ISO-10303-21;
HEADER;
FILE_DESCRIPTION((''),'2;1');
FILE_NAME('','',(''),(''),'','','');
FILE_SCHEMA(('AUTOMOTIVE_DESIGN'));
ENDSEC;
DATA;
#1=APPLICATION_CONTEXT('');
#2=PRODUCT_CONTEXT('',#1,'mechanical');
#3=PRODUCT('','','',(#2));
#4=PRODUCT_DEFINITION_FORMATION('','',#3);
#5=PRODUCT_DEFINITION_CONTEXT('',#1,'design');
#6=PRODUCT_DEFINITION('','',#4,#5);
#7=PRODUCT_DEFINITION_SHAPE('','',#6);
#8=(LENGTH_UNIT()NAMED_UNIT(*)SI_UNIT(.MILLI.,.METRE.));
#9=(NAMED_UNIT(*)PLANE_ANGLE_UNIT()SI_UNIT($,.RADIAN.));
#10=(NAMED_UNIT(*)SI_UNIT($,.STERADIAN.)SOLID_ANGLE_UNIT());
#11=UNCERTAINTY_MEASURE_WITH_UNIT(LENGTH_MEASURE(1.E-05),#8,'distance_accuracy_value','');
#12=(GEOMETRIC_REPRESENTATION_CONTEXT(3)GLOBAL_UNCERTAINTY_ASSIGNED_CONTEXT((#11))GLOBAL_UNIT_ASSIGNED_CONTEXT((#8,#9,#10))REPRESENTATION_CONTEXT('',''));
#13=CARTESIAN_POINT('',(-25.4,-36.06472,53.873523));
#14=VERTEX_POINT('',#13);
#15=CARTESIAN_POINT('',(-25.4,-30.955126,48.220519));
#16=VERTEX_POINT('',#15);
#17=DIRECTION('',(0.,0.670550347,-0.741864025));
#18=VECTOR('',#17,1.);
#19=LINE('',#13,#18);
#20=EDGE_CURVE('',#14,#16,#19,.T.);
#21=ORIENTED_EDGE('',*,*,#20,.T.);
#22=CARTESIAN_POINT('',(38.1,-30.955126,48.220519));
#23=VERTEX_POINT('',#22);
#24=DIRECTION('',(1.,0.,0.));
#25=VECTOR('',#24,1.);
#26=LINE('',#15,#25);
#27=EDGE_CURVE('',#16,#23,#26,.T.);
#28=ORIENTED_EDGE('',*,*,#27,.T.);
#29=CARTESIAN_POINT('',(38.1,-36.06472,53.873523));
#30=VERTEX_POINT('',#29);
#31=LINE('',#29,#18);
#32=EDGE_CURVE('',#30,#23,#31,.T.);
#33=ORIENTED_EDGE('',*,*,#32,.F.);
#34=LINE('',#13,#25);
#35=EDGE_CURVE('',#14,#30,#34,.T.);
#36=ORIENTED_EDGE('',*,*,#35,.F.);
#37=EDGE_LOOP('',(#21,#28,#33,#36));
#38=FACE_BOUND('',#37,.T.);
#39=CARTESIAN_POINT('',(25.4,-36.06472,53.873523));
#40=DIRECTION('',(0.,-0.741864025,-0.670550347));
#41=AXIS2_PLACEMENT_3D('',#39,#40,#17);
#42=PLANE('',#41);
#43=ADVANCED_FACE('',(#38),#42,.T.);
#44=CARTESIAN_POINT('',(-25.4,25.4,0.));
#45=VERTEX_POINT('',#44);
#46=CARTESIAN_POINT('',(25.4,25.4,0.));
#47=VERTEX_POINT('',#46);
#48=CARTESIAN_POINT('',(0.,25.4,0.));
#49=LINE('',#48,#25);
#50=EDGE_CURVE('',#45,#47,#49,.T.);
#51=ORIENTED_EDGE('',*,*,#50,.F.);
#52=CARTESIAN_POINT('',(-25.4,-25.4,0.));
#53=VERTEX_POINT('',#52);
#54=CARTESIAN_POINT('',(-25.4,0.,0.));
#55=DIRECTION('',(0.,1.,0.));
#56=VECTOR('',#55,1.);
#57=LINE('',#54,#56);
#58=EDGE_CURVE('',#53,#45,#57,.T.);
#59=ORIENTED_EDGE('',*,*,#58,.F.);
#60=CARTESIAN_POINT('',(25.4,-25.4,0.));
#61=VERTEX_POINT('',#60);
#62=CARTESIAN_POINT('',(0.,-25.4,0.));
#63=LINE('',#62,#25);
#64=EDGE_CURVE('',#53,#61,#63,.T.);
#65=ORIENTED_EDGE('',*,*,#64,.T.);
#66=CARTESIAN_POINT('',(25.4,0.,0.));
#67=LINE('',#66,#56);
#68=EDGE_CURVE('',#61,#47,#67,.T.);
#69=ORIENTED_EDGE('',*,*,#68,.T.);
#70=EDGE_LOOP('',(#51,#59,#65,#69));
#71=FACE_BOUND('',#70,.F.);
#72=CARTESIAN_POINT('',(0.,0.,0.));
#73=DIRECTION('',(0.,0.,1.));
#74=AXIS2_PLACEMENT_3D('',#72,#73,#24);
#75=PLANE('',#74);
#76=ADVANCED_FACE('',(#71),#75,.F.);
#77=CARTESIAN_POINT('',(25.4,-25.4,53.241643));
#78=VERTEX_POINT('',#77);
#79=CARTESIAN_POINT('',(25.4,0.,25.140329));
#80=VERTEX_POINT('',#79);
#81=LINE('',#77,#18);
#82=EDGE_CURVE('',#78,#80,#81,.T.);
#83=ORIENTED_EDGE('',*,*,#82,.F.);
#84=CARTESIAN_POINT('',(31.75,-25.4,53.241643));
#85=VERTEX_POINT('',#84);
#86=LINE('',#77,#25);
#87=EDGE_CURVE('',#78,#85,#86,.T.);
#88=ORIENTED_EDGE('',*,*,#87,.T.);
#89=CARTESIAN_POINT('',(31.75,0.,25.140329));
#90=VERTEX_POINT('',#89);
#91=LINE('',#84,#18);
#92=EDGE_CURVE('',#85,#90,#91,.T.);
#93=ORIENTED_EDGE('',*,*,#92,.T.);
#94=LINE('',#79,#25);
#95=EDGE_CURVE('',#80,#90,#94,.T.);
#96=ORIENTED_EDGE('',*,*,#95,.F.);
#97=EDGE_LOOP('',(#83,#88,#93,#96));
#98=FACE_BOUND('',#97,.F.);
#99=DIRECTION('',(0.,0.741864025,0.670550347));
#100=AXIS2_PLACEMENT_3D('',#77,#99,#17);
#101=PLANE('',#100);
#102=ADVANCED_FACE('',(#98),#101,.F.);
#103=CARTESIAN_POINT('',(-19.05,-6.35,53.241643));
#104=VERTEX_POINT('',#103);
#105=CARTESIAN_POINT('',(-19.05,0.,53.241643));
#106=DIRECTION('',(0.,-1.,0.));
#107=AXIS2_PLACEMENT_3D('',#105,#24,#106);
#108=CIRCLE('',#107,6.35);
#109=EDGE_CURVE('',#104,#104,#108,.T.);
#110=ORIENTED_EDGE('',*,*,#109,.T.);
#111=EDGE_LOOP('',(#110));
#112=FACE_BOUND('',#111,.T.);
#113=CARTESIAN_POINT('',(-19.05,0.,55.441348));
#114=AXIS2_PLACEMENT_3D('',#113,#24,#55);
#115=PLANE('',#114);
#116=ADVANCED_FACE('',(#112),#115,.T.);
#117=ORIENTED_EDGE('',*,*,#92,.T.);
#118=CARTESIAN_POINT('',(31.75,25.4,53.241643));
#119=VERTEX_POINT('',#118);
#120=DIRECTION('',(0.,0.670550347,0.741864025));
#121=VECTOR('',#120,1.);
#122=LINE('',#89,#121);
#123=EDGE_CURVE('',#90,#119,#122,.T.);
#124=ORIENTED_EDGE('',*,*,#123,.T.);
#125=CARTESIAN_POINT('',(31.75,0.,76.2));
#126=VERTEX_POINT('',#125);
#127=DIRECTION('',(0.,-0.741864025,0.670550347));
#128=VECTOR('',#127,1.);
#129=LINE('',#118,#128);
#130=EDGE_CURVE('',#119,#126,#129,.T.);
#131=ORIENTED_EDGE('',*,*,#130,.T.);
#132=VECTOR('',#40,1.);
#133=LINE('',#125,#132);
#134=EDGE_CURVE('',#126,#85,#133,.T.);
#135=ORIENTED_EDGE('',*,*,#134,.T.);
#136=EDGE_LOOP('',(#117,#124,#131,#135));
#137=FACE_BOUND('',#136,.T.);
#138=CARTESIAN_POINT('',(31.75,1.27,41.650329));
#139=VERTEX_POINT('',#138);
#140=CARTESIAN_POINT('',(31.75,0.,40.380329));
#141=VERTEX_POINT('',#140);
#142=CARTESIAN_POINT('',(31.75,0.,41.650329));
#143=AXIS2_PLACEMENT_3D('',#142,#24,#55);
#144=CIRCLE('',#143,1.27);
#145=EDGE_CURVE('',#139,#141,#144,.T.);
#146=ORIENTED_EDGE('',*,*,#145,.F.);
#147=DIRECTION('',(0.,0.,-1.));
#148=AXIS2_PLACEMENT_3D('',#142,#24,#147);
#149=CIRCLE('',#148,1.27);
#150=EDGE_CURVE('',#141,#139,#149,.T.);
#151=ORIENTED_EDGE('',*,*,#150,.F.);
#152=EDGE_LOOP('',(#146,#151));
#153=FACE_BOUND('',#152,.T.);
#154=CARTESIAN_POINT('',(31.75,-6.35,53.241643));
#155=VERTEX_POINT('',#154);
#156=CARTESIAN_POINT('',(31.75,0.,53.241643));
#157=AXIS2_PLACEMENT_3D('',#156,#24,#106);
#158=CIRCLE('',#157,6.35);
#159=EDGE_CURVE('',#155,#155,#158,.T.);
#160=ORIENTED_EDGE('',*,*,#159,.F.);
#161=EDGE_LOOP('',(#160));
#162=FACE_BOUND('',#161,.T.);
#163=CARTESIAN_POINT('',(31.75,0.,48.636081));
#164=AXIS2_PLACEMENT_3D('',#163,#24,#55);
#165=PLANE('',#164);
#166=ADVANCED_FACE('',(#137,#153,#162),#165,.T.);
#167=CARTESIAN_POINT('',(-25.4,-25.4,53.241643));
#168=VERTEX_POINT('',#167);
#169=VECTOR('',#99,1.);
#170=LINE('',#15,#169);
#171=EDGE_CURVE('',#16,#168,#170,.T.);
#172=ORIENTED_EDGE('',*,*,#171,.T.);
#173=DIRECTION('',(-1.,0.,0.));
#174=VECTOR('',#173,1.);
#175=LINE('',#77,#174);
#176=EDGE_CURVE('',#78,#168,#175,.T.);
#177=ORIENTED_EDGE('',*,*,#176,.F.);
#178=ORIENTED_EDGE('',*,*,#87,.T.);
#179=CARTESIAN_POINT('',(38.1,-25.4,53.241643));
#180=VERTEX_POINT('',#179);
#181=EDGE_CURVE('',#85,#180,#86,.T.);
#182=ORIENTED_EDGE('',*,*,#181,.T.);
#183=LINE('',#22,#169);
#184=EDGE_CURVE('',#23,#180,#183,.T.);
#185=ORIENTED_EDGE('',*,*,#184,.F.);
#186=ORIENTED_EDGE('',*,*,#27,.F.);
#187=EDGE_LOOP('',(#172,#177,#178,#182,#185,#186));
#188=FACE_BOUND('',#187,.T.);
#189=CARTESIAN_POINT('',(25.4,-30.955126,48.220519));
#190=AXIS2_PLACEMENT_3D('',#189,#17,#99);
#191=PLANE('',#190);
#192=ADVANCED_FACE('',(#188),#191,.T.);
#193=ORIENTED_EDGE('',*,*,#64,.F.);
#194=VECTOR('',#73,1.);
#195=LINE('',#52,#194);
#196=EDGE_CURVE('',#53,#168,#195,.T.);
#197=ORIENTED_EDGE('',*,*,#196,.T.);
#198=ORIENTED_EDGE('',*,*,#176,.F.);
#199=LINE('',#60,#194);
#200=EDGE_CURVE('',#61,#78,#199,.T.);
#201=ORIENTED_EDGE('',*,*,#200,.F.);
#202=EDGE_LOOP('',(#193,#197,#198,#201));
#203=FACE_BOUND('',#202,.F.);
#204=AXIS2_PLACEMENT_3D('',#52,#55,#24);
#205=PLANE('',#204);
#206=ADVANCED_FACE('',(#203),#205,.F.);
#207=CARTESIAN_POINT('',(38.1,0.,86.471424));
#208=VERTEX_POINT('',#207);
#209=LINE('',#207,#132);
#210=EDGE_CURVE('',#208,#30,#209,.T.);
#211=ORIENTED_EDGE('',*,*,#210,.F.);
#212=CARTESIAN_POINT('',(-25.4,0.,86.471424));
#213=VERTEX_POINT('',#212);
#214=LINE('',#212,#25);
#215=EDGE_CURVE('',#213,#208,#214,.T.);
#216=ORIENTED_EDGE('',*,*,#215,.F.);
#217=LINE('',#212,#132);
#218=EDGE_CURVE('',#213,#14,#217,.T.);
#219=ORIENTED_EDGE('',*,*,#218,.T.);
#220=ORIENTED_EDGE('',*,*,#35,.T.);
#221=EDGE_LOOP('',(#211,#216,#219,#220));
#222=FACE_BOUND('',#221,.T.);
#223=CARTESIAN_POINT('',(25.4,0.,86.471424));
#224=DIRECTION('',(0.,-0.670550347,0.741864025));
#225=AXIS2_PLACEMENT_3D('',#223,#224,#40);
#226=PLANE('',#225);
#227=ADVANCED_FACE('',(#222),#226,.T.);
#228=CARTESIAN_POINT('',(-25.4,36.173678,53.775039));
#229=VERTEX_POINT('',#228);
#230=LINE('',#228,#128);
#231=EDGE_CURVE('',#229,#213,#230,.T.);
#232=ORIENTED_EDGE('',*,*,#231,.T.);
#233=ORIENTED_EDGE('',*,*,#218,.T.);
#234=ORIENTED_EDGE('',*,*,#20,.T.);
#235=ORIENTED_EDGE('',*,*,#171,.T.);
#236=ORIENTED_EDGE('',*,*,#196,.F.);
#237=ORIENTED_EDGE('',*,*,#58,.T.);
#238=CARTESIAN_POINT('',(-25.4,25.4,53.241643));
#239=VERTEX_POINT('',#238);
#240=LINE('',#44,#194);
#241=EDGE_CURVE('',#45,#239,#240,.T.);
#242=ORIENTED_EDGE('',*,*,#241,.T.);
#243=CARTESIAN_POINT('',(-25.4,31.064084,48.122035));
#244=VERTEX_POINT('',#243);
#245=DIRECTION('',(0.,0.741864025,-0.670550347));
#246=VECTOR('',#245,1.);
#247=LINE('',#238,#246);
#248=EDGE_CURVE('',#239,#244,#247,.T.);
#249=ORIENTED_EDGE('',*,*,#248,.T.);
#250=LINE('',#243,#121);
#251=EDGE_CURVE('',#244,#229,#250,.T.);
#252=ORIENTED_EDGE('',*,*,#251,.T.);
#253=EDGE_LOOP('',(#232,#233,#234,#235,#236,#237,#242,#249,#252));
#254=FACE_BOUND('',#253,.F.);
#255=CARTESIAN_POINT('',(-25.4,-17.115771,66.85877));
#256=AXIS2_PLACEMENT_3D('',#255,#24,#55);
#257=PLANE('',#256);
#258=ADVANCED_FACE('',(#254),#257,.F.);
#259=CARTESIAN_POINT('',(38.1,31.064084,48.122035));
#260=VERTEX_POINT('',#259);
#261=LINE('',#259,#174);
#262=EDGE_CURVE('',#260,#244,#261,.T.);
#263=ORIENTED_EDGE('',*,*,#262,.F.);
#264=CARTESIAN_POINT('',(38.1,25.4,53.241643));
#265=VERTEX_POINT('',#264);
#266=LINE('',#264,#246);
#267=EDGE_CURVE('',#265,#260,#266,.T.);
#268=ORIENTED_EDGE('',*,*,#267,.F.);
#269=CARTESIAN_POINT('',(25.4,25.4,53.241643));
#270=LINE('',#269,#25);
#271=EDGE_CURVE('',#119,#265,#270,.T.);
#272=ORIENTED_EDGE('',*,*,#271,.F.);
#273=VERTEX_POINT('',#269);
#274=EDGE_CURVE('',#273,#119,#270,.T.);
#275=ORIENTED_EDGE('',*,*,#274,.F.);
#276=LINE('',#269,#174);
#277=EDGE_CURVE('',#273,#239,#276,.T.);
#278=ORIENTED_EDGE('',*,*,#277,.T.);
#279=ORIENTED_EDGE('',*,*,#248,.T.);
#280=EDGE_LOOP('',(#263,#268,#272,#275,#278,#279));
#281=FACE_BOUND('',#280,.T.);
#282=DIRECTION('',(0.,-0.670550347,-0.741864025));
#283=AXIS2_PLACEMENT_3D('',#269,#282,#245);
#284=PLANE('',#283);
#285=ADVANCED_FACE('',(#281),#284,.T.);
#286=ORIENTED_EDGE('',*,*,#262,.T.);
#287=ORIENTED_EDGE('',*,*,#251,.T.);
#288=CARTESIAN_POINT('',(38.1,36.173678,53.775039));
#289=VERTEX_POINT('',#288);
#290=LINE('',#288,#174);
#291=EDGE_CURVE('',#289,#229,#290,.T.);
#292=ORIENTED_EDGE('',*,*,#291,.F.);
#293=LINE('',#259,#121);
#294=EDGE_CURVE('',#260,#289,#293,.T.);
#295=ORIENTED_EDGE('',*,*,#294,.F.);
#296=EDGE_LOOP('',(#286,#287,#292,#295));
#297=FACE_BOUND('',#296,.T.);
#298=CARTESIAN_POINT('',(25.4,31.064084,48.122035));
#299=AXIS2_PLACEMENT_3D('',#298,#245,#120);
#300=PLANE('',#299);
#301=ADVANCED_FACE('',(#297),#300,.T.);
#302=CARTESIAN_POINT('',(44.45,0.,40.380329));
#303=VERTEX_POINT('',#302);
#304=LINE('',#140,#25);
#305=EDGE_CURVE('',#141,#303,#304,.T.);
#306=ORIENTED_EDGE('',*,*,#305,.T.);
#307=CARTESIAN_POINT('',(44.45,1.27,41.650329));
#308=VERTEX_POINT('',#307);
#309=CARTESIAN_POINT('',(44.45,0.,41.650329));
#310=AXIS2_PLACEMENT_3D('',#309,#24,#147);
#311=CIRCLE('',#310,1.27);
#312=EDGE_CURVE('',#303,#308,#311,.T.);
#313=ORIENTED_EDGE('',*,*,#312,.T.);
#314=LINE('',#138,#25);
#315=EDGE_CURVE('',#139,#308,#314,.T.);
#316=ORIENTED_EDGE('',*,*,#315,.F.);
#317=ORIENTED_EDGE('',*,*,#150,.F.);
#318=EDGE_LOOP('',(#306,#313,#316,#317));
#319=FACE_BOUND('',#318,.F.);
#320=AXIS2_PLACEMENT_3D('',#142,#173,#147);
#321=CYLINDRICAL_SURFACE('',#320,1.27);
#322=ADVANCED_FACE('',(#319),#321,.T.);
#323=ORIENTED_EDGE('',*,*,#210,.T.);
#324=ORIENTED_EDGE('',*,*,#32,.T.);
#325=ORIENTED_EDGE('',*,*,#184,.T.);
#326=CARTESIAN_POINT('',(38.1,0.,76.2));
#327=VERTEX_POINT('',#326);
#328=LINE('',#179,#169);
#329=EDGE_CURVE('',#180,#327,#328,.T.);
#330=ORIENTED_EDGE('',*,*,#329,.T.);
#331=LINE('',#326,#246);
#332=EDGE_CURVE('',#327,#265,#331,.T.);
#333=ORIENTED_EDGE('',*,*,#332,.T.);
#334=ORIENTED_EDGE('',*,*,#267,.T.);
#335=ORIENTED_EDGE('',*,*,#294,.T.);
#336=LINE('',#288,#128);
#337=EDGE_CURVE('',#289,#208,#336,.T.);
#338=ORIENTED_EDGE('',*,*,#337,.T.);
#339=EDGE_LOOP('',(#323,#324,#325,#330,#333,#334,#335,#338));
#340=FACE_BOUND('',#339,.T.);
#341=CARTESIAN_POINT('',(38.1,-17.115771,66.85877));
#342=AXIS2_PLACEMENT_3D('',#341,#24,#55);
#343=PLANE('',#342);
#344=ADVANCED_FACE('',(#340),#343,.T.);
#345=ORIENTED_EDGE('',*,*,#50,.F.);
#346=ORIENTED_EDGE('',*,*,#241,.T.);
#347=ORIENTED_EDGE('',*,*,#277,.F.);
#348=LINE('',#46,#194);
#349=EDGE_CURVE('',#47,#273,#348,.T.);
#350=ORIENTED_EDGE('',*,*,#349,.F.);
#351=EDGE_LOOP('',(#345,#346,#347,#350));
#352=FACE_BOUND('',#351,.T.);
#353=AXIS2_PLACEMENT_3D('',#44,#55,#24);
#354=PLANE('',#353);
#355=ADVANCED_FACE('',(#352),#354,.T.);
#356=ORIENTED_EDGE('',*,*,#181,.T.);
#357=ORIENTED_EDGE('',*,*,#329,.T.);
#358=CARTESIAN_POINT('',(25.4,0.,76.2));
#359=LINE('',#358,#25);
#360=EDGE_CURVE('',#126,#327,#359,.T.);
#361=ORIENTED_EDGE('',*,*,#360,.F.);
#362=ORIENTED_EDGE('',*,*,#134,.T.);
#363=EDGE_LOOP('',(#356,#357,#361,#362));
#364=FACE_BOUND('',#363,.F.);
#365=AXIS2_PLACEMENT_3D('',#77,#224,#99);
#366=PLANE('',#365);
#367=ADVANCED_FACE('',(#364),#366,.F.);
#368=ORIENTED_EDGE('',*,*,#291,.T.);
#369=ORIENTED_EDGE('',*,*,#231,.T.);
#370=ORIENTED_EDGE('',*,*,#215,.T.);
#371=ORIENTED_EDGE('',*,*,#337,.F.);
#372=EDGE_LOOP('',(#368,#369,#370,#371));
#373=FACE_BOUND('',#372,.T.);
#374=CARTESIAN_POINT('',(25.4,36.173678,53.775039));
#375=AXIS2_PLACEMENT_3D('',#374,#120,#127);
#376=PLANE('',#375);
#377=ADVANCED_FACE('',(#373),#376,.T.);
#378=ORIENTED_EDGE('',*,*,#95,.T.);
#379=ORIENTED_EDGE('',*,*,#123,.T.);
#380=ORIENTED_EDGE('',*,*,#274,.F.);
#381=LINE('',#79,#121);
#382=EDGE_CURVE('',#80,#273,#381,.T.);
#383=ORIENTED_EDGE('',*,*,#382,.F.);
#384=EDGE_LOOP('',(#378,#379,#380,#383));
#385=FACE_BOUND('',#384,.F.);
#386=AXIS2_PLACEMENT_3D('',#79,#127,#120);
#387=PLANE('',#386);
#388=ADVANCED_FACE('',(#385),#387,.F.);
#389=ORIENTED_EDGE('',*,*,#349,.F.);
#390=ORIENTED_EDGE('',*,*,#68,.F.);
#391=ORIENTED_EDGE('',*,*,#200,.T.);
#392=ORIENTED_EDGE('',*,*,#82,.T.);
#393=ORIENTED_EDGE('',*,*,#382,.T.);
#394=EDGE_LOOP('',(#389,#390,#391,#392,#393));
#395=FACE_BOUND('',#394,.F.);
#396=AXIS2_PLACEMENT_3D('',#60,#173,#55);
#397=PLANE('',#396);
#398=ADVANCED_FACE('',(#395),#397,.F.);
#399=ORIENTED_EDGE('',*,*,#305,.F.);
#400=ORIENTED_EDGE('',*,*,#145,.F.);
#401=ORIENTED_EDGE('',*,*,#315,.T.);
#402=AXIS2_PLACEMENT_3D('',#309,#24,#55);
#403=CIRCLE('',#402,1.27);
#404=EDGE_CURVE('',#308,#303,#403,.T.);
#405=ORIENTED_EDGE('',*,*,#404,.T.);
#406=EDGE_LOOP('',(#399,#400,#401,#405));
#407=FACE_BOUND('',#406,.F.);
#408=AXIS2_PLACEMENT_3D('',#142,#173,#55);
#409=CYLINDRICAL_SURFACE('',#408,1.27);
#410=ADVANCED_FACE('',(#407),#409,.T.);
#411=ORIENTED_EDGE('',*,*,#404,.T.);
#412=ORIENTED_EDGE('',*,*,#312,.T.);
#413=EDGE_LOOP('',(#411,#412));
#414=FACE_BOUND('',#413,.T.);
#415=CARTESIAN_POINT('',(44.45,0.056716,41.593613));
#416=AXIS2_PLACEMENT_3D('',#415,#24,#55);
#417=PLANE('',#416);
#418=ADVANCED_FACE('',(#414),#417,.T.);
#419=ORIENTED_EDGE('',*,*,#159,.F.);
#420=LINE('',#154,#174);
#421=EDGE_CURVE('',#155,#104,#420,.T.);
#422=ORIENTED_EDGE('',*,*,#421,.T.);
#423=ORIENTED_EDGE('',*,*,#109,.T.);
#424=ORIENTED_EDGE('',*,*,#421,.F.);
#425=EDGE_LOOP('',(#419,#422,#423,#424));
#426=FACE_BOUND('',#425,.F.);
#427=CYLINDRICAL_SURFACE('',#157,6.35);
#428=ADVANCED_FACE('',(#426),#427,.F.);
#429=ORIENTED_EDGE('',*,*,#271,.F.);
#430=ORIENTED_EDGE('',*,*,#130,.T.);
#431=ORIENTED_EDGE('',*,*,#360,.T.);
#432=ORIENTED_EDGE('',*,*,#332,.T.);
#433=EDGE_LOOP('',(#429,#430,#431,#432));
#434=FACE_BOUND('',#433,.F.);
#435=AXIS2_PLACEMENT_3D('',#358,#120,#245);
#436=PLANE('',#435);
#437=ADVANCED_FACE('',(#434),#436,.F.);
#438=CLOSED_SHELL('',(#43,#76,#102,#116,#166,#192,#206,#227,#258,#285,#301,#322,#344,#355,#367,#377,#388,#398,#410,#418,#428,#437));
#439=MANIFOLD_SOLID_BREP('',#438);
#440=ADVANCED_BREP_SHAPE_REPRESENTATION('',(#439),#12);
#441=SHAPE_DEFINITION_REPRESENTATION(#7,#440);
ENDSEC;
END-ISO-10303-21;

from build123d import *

# Parameters (mm, degrees)
F0_W      = 50.8
F0_H      = 50.8
F1_DEPTH  = 63.5
F3_DEPTH  = 12.7
F5_DEPTH  = 6.35
F6_DEPTH  = 50.8
F8_DEPTH  = 50.8
F10_DEPTH = 12.7


with BuildPart() as f1:
    # F0 (on Top) → F1 (new body)
    with BuildSketch(Plane.XY):
        Rectangle(F0_W, F0_H)
    extrude(amount=F1_DEPTH)

    # F2 (on face) → F3 (join)
    with BuildSketch(Plane.YZ.offset(25.4)):
        Polygon((-14.0506572952, 63.5), (0, 76.2), (0, 86.4714240594), (-36.0647195239, 53.8735228844), (-30.9551258806, 48.2205190104), (-25.4, 53.2416434461), (-25.4, 63.5), align=None)
        Polygon((-25.4, 53.2416434461), (-14.0506572952, 63.5), (-25.4, 63.5), align=None)
        Polygon((0, 86.4714240594), (0, 76.2), (14.0506572952, 63.5), (25.4, 63.5), (25.4, 53.2416434461), (31.0640838699, 48.1220349014), (36.1736775133, 53.7750387754), align=None)
        Polygon((25.4, 63.5), (14.0506572952, 63.5), (25.4, 53.2416434461), align=None)
    extrude(amount=F3_DEPTH)

    # F4 (on face) → F5 (join)
    with BuildSketch(Plane.YZ.offset(25.4)):
        Polygon((-14.0506572952, 63.5), (-25.4, 53.2416434461), (0, 25.1403288557), (25.4, 53.2416434461), (14.0506572952, 63.5), align=None)
        Polygon((0, 76.2), (-14.0506572952, 63.5), (14.0506572952, 63.5), align=None)
    extrude(amount=F5_DEPTH)

    # F6 (add): faces of the model
    f6_faces = [f1.faces().sort_by_distance(p)[0] for p in [
        (25.4, 0.0499832571, 67.5742219927),
        (25.4, 0.0499832571, 67.5742219927),
        (25.4, 0.0499832571, 67.5742219927),
    ]]
    extrude(f6_faces, amount=F6_DEPTH)

    # F7 (on face) → F8 (cut)
    with BuildSketch(Plane.YZ.offset(31.75)):
        with BuildLine():
            Line((-6.35, 53.2416434461), (6.35, 53.2416434461))
            ThreePointArc((6.35, 53.2416434461), (0, 59.5916434461), (-6.35, 53.2416434461))
        make_face()
        with BuildLine():
            ThreePointArc((-6.35, 53.2416434461), (0, 46.8916434461), (6.35, 53.2416434461))
            Line((6.35, 53.2416434461), (-6.35, 53.2416434461))
        make_face()
    extrude(amount=-F8_DEPTH, mode=Mode.SUBTRACT)

    # F9 (on face) → F10 (join)
    with BuildSketch(Plane.YZ.offset(31.75)):
        with BuildLine():
            ThreePointArc((1.27, 41.6503288557), (-0.8980256121, 42.5483544678), (0, 40.3803288557))
            ThreePointArc((0, 40.3803288557), (0.8980256121, 40.7523032436), (1.27, 41.6503288557))
        make_face()
    extrude(amount=F10_DEPTH)


solid = f1.part
